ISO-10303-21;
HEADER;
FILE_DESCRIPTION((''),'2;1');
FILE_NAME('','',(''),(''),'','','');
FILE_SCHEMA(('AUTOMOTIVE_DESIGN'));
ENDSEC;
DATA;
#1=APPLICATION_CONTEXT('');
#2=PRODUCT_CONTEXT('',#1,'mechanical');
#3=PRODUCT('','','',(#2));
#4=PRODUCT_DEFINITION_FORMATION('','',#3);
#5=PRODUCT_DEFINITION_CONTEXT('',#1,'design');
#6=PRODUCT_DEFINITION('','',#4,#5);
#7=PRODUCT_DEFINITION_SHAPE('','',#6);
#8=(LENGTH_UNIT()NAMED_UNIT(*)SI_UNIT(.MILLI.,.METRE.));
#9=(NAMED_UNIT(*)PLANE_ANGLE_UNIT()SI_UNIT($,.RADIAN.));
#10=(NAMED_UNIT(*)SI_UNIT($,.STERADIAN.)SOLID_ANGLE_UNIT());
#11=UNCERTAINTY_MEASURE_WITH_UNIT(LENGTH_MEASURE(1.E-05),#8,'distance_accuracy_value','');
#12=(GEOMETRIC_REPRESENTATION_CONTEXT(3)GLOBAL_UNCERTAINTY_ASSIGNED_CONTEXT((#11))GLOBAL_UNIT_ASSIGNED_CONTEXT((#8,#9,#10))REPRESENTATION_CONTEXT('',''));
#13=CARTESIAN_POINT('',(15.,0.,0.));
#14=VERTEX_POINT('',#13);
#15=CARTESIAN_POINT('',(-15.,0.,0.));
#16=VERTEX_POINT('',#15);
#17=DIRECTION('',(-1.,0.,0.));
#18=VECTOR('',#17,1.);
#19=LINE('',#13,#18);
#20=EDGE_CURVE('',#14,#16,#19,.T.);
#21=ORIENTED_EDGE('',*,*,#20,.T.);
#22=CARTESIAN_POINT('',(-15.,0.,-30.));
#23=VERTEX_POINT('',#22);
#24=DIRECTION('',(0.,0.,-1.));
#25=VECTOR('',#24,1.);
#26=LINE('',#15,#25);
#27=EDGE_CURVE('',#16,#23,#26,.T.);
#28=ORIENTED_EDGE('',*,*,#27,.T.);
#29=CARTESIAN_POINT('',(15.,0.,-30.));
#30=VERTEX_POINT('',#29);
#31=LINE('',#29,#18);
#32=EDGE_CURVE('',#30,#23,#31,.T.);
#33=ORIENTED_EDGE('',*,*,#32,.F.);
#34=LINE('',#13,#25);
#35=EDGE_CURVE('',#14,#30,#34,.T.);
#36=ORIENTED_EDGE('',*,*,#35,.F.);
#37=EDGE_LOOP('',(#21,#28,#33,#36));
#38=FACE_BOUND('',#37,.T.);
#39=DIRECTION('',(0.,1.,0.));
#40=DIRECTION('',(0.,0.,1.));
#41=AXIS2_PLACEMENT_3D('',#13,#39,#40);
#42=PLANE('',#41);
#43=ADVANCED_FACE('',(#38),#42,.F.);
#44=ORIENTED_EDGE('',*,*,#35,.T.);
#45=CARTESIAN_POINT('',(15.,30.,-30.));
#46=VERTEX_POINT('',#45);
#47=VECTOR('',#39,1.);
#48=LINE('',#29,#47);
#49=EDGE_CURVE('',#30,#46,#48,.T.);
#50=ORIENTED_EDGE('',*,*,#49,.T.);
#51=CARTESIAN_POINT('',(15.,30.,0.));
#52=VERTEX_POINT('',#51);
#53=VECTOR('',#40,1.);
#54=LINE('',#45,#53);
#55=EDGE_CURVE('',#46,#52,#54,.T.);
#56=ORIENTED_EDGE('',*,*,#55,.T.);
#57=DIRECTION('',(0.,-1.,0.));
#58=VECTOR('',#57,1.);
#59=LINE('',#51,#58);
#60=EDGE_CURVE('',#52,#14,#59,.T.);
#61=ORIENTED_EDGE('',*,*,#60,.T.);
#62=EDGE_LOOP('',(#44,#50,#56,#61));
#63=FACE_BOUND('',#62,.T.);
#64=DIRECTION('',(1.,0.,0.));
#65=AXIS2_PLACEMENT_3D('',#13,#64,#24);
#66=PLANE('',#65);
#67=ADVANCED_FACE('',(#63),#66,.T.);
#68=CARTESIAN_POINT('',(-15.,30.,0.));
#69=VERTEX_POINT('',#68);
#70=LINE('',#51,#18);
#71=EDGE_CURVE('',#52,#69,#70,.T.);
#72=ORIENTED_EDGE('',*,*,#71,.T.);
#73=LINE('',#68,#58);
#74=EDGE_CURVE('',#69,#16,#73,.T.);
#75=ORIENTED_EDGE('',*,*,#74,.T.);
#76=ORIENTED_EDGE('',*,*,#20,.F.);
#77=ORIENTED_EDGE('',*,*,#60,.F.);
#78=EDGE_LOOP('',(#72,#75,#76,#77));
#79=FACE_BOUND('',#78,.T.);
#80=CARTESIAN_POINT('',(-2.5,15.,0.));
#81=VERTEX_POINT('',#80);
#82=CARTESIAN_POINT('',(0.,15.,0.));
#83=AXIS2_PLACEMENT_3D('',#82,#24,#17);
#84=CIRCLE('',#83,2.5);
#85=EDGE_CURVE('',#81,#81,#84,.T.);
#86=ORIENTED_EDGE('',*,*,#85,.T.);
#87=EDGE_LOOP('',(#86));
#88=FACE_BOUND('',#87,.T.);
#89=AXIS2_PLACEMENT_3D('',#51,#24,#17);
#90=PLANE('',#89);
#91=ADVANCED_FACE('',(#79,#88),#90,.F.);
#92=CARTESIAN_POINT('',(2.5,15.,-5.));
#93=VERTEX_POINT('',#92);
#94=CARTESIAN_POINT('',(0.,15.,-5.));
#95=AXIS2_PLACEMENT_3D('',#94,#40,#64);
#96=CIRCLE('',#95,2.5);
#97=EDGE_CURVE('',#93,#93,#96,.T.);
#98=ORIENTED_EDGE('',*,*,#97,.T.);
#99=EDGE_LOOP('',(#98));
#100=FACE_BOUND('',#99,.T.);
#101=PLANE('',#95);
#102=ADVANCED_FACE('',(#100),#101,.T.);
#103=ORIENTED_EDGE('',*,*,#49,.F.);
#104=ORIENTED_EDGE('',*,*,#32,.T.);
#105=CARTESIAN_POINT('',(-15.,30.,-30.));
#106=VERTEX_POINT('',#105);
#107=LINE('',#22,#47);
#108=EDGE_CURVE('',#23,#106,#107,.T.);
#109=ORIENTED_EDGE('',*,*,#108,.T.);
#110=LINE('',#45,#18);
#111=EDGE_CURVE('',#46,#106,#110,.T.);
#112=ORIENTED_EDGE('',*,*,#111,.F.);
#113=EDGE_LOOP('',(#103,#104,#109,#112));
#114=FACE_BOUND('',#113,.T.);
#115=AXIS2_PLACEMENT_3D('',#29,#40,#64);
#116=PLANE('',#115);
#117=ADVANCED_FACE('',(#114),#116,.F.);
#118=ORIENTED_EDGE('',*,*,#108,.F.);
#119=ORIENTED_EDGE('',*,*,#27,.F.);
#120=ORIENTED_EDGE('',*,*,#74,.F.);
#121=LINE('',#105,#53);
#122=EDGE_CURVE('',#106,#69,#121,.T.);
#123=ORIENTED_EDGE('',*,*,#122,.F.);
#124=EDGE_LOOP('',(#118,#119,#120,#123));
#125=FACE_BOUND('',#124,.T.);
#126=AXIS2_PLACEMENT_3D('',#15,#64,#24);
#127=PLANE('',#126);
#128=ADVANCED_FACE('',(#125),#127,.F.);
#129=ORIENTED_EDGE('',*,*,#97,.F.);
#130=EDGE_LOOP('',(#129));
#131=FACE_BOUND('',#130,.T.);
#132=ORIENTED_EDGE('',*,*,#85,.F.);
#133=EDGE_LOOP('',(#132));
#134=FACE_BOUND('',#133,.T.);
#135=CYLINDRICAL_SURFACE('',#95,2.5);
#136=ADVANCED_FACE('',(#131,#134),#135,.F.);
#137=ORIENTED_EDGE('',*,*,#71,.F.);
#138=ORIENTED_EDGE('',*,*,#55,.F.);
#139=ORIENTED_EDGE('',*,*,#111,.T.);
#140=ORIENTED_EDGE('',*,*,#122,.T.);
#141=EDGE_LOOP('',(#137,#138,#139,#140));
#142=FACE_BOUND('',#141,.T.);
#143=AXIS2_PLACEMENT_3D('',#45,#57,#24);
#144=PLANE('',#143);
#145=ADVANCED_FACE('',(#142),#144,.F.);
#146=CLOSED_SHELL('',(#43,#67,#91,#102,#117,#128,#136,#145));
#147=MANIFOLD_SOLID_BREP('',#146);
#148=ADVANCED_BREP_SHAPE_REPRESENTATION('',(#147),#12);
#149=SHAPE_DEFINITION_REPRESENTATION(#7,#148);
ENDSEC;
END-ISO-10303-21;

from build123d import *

# Parameters (mm, degrees)
SKETCH2_W           = 30
SKETCH2_H           = 30
BOSS_EXTRUDE1_DEPTH = 15
SKETCH3_R           = 2.5
CUT_EXTRUDE1_DEPTH  = 5


with BuildPart() as part:
    # Sketch2 → Boss-Extrude1 (new body, symmetric)
    with BuildSketch(Plane(origin=(0, 0, 0), x_dir=(0, 0, -1), z_dir=(1, 0, 0))):
        with Locations((15, 15)):
            Rectangle(SKETCH2_W, SKETCH2_H)
    extrude(amount=BOSS_EXTRUDE1_DEPTH, both=True)

    # Sketch3 → Cut-Extrude1 (cut, symmetric)
    with BuildSketch(Plane.XY):
        with Locations((0, 15)):
            Circle(SKETCH3_R)
    extrude(amount=CUT_EXTRUDE1_DEPTH, both=True, mode=Mode.SUBTRACT)


solid = part.part
